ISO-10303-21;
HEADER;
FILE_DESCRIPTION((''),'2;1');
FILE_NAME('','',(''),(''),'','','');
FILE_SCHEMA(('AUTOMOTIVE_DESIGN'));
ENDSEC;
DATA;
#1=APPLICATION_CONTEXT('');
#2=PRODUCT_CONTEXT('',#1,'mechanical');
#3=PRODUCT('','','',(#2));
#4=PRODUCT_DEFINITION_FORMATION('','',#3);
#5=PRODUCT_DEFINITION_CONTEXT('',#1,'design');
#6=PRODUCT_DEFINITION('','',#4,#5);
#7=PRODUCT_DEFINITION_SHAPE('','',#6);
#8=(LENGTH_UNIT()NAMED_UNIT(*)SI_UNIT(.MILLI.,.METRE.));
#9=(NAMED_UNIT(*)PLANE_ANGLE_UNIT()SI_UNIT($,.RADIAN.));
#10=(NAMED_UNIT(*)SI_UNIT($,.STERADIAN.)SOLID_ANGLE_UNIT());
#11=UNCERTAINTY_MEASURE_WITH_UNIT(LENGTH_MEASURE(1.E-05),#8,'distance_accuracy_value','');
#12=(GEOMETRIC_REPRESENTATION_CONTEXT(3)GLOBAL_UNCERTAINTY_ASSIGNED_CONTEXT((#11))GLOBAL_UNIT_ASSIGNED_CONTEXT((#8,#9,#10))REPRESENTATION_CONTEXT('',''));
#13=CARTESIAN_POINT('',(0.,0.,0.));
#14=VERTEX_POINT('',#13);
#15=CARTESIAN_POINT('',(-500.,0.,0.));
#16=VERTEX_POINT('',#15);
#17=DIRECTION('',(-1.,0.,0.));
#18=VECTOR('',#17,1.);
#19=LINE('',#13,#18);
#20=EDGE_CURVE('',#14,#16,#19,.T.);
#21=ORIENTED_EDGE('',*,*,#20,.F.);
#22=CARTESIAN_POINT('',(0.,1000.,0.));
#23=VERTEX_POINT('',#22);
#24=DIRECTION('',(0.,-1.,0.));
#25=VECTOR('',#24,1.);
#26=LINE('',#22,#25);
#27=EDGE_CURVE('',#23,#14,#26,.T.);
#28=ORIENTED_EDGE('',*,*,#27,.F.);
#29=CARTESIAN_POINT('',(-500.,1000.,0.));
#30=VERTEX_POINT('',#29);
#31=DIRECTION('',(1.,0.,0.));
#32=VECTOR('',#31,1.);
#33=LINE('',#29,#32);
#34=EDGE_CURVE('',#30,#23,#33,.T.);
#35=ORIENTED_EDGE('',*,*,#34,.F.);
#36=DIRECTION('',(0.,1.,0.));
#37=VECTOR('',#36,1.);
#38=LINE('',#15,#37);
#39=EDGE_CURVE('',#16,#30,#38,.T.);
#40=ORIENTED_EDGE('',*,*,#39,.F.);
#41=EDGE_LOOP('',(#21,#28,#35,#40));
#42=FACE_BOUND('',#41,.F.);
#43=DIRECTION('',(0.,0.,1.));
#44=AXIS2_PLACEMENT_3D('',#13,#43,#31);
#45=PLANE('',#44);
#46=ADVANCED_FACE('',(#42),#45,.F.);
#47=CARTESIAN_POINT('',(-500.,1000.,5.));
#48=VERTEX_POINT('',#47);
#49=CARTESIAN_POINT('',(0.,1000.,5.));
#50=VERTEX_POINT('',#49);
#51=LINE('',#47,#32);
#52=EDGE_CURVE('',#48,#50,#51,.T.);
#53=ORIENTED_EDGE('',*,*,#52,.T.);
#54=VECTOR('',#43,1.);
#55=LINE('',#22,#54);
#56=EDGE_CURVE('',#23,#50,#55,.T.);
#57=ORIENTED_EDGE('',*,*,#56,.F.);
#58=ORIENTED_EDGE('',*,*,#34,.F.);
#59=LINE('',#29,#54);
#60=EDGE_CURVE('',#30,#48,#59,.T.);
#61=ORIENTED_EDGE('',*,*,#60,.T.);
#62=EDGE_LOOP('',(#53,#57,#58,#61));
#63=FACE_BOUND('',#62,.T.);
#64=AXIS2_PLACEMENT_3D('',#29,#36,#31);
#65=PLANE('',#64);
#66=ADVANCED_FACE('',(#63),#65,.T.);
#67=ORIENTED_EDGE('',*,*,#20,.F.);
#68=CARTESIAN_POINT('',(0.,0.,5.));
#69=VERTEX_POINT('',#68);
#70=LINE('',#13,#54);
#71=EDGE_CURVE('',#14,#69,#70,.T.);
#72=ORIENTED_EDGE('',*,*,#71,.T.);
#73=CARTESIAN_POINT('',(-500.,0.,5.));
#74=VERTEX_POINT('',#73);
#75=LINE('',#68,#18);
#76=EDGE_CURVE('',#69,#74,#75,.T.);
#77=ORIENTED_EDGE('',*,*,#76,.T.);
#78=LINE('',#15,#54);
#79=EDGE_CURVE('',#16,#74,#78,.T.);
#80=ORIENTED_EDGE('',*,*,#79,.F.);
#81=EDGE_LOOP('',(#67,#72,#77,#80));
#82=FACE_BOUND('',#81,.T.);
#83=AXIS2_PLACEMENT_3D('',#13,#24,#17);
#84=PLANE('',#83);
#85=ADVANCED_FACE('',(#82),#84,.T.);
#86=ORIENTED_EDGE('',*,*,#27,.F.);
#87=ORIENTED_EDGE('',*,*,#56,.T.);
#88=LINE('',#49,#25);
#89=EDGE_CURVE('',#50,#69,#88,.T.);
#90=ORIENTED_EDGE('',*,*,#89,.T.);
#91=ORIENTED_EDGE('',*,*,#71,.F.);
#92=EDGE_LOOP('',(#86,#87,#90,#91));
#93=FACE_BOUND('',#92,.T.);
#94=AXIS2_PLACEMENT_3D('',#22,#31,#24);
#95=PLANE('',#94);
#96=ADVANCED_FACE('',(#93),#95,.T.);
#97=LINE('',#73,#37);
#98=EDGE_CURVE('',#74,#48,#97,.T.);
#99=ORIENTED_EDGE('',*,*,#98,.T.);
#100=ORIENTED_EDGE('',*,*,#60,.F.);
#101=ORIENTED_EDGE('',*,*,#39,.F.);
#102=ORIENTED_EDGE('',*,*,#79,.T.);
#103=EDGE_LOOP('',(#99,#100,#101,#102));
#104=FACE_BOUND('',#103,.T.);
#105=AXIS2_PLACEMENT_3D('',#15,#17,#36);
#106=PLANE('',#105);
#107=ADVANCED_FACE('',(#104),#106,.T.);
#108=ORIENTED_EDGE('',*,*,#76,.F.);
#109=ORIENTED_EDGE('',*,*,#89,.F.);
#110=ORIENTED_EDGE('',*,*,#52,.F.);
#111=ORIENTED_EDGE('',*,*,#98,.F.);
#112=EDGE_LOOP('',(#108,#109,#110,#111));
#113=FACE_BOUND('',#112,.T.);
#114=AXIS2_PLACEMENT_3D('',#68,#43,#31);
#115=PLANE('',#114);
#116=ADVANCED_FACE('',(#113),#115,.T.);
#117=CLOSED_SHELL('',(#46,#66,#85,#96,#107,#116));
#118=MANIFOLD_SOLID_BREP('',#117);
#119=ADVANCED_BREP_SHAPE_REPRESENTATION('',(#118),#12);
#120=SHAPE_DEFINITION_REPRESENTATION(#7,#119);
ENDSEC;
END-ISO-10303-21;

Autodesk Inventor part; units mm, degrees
ref_plane "YZ Plane" through (0, 0, 0) normal (1, 0, 0) x (0, 1, 0)
ref_plane "XZ Plane" through (0, 0, 0) normal (0, 1, 0) x (-1, 0, 0)
ref_plane "XY Plane" through (0, 0, 0) normal (0, 0, 1) x (1, 0, 0)
sketch "Sketch1" plane through (0, 0, 0) normal (0, 0, 1) x (1, 0, 0)
  line L0 (0, 0) -> (-500, 0)
  line L1 (-500, 0) -> (-500, 1000)
  line L2 (-500, 1000) -> (0, 1000)
  line L3 (0, 1000) -> (0, 0)
  dimension "d0" = 500
  dimension "d1" = 1000
extrude "Extrusion1" add sketch "Sketch1" along normal blind 5
properties part number "door_front" material "Glass"
